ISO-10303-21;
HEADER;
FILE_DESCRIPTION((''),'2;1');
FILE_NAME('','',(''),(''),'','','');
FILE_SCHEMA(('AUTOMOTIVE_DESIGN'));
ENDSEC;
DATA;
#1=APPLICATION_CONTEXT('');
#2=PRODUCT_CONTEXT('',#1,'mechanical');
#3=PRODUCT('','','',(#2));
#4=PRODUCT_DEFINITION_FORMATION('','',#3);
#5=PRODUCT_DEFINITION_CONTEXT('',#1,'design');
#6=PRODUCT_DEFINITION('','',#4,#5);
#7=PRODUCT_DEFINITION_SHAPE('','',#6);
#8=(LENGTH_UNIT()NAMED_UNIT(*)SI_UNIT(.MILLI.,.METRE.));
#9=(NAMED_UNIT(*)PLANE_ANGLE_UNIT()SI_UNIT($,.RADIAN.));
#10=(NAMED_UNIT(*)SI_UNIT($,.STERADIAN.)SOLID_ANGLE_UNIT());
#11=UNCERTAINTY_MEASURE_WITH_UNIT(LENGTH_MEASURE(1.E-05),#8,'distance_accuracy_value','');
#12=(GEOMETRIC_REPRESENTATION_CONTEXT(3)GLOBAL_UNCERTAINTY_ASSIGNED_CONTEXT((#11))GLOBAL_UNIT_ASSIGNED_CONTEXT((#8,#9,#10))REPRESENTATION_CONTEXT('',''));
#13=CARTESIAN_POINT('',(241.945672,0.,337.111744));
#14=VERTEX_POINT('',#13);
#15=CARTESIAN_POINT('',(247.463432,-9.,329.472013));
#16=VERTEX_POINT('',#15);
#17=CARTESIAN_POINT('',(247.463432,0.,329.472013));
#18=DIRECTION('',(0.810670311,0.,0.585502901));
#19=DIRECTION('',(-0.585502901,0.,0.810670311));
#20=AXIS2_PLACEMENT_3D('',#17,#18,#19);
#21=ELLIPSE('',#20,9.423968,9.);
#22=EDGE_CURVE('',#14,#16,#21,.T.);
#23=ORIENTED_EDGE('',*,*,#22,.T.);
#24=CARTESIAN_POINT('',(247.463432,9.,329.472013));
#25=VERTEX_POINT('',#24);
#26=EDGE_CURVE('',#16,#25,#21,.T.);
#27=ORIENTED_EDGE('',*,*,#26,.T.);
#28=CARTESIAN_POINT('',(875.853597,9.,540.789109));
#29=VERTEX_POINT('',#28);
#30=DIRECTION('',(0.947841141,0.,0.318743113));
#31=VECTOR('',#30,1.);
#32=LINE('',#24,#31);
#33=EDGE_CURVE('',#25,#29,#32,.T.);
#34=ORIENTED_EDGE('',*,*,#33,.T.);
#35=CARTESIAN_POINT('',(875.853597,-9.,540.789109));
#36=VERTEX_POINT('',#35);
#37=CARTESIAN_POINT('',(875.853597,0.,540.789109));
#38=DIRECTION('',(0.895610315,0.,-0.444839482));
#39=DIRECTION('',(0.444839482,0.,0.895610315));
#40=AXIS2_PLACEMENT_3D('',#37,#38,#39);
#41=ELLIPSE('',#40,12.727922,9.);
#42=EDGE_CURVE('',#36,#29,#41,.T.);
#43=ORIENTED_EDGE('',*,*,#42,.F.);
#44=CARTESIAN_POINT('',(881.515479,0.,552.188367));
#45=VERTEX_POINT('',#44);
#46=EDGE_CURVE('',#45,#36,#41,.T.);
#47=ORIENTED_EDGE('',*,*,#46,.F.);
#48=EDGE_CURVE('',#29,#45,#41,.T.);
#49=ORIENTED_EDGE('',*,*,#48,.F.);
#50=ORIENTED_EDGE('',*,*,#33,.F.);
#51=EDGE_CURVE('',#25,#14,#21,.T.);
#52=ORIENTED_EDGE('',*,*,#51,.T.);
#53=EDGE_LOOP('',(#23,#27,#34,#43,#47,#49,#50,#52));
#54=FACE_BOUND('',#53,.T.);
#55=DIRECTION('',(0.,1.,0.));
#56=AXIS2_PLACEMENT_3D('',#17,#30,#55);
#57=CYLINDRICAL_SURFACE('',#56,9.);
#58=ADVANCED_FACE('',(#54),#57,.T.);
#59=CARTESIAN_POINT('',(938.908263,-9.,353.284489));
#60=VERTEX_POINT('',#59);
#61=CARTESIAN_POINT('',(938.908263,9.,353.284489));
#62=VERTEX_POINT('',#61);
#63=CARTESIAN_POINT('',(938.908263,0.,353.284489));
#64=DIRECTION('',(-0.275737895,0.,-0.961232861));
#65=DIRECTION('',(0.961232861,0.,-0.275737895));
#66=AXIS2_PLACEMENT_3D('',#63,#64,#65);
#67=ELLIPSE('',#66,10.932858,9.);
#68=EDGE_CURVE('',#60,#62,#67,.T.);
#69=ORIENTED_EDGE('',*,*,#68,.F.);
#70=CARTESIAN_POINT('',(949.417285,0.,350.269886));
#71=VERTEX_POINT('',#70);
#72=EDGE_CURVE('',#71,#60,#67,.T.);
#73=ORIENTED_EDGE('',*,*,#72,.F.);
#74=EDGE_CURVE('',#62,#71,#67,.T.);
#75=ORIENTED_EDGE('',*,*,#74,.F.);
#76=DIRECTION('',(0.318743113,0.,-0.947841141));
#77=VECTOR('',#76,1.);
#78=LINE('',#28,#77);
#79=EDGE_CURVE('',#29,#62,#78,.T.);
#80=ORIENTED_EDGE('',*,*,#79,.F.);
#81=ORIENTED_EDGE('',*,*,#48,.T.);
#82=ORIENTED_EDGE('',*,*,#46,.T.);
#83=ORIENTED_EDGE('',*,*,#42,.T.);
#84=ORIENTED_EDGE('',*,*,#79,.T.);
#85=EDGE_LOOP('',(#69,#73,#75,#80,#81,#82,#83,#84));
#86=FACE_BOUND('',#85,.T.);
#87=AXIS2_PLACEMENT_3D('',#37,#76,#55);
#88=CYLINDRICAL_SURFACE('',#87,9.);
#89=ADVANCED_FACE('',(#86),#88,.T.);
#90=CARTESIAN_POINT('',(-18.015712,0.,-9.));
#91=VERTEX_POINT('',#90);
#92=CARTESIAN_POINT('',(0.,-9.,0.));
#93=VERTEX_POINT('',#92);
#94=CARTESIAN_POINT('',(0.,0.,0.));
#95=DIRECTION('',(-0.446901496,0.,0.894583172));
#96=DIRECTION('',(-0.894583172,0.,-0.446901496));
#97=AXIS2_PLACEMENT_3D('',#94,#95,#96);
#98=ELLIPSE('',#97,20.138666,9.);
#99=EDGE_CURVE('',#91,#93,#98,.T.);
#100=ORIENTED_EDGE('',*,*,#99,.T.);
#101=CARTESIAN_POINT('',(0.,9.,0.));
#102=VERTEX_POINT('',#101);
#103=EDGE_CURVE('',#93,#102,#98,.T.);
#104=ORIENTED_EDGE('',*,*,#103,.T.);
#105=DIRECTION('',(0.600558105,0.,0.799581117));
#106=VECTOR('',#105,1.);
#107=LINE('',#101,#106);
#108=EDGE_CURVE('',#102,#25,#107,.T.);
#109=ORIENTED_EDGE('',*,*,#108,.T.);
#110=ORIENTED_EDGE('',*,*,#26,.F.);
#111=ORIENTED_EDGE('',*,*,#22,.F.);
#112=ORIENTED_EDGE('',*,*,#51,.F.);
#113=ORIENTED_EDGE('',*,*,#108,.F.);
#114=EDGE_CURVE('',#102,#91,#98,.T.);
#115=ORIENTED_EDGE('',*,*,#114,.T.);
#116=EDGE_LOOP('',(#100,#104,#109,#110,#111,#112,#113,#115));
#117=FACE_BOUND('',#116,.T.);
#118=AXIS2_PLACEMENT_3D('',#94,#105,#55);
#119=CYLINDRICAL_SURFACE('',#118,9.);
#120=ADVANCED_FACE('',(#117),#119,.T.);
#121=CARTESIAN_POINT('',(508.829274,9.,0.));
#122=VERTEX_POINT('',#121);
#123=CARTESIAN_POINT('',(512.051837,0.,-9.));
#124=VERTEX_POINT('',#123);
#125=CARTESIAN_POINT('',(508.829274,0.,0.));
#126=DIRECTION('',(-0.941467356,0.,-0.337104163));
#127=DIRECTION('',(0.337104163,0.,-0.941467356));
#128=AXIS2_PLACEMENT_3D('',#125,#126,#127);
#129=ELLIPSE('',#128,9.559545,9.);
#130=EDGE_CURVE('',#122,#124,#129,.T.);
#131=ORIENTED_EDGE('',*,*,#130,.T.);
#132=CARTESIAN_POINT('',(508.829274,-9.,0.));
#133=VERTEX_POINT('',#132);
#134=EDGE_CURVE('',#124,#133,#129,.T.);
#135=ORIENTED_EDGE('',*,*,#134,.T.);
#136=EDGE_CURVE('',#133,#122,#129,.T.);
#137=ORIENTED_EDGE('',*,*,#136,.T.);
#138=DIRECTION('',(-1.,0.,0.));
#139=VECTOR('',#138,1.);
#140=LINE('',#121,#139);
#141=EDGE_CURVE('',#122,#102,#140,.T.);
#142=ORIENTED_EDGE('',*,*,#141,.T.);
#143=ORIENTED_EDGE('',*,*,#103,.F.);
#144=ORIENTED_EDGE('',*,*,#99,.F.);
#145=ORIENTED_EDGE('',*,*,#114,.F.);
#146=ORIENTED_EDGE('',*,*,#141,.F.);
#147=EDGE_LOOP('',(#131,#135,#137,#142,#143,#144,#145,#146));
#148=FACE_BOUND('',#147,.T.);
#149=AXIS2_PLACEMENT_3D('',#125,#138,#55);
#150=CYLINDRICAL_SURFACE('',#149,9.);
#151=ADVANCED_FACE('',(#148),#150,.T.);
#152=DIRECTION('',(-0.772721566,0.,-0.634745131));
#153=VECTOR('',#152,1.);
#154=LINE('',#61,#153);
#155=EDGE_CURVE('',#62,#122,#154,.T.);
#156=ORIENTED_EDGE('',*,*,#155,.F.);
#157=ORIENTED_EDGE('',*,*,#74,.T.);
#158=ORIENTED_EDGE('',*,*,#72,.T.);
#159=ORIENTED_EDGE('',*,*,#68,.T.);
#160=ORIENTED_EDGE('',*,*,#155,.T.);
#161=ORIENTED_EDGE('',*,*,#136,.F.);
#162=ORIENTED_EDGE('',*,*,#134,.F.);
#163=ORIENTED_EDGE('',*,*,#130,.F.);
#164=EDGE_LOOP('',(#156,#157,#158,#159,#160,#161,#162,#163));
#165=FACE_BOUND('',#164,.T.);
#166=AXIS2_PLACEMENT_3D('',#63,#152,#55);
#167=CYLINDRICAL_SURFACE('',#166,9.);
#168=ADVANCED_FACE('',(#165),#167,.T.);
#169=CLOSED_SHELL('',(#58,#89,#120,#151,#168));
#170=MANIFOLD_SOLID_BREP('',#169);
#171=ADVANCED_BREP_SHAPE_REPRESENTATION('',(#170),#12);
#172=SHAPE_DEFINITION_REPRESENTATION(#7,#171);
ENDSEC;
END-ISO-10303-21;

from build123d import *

# Parameters (mm, degrees)
F1_R = 9


with BuildPart() as f2:
    # F2: sweep along a path in F0
    with BuildLine(Plane.XZ) as f2_path:
        Line((508.8292739393, 0), (0, 0))
        Line((0, 0), (247.4634323807, 329.4720128394))
        Line((247.4634323807, 329.4720128394), (875.8535972302, 540.7891085966))
        Line((875.8535972302, 540.7891085966), (938.908262648, 353.2844892736))
        Line((938.908262648, 353.2844892736), (508.8292739393, 0))
    # F1 (on Right) → F2 (sweep)
    with BuildSketch(Plane.YZ):
        Circle(F1_R)
    sweep(path=f2_path.line, transition=Transition.RIGHT)


solid = f2.part
